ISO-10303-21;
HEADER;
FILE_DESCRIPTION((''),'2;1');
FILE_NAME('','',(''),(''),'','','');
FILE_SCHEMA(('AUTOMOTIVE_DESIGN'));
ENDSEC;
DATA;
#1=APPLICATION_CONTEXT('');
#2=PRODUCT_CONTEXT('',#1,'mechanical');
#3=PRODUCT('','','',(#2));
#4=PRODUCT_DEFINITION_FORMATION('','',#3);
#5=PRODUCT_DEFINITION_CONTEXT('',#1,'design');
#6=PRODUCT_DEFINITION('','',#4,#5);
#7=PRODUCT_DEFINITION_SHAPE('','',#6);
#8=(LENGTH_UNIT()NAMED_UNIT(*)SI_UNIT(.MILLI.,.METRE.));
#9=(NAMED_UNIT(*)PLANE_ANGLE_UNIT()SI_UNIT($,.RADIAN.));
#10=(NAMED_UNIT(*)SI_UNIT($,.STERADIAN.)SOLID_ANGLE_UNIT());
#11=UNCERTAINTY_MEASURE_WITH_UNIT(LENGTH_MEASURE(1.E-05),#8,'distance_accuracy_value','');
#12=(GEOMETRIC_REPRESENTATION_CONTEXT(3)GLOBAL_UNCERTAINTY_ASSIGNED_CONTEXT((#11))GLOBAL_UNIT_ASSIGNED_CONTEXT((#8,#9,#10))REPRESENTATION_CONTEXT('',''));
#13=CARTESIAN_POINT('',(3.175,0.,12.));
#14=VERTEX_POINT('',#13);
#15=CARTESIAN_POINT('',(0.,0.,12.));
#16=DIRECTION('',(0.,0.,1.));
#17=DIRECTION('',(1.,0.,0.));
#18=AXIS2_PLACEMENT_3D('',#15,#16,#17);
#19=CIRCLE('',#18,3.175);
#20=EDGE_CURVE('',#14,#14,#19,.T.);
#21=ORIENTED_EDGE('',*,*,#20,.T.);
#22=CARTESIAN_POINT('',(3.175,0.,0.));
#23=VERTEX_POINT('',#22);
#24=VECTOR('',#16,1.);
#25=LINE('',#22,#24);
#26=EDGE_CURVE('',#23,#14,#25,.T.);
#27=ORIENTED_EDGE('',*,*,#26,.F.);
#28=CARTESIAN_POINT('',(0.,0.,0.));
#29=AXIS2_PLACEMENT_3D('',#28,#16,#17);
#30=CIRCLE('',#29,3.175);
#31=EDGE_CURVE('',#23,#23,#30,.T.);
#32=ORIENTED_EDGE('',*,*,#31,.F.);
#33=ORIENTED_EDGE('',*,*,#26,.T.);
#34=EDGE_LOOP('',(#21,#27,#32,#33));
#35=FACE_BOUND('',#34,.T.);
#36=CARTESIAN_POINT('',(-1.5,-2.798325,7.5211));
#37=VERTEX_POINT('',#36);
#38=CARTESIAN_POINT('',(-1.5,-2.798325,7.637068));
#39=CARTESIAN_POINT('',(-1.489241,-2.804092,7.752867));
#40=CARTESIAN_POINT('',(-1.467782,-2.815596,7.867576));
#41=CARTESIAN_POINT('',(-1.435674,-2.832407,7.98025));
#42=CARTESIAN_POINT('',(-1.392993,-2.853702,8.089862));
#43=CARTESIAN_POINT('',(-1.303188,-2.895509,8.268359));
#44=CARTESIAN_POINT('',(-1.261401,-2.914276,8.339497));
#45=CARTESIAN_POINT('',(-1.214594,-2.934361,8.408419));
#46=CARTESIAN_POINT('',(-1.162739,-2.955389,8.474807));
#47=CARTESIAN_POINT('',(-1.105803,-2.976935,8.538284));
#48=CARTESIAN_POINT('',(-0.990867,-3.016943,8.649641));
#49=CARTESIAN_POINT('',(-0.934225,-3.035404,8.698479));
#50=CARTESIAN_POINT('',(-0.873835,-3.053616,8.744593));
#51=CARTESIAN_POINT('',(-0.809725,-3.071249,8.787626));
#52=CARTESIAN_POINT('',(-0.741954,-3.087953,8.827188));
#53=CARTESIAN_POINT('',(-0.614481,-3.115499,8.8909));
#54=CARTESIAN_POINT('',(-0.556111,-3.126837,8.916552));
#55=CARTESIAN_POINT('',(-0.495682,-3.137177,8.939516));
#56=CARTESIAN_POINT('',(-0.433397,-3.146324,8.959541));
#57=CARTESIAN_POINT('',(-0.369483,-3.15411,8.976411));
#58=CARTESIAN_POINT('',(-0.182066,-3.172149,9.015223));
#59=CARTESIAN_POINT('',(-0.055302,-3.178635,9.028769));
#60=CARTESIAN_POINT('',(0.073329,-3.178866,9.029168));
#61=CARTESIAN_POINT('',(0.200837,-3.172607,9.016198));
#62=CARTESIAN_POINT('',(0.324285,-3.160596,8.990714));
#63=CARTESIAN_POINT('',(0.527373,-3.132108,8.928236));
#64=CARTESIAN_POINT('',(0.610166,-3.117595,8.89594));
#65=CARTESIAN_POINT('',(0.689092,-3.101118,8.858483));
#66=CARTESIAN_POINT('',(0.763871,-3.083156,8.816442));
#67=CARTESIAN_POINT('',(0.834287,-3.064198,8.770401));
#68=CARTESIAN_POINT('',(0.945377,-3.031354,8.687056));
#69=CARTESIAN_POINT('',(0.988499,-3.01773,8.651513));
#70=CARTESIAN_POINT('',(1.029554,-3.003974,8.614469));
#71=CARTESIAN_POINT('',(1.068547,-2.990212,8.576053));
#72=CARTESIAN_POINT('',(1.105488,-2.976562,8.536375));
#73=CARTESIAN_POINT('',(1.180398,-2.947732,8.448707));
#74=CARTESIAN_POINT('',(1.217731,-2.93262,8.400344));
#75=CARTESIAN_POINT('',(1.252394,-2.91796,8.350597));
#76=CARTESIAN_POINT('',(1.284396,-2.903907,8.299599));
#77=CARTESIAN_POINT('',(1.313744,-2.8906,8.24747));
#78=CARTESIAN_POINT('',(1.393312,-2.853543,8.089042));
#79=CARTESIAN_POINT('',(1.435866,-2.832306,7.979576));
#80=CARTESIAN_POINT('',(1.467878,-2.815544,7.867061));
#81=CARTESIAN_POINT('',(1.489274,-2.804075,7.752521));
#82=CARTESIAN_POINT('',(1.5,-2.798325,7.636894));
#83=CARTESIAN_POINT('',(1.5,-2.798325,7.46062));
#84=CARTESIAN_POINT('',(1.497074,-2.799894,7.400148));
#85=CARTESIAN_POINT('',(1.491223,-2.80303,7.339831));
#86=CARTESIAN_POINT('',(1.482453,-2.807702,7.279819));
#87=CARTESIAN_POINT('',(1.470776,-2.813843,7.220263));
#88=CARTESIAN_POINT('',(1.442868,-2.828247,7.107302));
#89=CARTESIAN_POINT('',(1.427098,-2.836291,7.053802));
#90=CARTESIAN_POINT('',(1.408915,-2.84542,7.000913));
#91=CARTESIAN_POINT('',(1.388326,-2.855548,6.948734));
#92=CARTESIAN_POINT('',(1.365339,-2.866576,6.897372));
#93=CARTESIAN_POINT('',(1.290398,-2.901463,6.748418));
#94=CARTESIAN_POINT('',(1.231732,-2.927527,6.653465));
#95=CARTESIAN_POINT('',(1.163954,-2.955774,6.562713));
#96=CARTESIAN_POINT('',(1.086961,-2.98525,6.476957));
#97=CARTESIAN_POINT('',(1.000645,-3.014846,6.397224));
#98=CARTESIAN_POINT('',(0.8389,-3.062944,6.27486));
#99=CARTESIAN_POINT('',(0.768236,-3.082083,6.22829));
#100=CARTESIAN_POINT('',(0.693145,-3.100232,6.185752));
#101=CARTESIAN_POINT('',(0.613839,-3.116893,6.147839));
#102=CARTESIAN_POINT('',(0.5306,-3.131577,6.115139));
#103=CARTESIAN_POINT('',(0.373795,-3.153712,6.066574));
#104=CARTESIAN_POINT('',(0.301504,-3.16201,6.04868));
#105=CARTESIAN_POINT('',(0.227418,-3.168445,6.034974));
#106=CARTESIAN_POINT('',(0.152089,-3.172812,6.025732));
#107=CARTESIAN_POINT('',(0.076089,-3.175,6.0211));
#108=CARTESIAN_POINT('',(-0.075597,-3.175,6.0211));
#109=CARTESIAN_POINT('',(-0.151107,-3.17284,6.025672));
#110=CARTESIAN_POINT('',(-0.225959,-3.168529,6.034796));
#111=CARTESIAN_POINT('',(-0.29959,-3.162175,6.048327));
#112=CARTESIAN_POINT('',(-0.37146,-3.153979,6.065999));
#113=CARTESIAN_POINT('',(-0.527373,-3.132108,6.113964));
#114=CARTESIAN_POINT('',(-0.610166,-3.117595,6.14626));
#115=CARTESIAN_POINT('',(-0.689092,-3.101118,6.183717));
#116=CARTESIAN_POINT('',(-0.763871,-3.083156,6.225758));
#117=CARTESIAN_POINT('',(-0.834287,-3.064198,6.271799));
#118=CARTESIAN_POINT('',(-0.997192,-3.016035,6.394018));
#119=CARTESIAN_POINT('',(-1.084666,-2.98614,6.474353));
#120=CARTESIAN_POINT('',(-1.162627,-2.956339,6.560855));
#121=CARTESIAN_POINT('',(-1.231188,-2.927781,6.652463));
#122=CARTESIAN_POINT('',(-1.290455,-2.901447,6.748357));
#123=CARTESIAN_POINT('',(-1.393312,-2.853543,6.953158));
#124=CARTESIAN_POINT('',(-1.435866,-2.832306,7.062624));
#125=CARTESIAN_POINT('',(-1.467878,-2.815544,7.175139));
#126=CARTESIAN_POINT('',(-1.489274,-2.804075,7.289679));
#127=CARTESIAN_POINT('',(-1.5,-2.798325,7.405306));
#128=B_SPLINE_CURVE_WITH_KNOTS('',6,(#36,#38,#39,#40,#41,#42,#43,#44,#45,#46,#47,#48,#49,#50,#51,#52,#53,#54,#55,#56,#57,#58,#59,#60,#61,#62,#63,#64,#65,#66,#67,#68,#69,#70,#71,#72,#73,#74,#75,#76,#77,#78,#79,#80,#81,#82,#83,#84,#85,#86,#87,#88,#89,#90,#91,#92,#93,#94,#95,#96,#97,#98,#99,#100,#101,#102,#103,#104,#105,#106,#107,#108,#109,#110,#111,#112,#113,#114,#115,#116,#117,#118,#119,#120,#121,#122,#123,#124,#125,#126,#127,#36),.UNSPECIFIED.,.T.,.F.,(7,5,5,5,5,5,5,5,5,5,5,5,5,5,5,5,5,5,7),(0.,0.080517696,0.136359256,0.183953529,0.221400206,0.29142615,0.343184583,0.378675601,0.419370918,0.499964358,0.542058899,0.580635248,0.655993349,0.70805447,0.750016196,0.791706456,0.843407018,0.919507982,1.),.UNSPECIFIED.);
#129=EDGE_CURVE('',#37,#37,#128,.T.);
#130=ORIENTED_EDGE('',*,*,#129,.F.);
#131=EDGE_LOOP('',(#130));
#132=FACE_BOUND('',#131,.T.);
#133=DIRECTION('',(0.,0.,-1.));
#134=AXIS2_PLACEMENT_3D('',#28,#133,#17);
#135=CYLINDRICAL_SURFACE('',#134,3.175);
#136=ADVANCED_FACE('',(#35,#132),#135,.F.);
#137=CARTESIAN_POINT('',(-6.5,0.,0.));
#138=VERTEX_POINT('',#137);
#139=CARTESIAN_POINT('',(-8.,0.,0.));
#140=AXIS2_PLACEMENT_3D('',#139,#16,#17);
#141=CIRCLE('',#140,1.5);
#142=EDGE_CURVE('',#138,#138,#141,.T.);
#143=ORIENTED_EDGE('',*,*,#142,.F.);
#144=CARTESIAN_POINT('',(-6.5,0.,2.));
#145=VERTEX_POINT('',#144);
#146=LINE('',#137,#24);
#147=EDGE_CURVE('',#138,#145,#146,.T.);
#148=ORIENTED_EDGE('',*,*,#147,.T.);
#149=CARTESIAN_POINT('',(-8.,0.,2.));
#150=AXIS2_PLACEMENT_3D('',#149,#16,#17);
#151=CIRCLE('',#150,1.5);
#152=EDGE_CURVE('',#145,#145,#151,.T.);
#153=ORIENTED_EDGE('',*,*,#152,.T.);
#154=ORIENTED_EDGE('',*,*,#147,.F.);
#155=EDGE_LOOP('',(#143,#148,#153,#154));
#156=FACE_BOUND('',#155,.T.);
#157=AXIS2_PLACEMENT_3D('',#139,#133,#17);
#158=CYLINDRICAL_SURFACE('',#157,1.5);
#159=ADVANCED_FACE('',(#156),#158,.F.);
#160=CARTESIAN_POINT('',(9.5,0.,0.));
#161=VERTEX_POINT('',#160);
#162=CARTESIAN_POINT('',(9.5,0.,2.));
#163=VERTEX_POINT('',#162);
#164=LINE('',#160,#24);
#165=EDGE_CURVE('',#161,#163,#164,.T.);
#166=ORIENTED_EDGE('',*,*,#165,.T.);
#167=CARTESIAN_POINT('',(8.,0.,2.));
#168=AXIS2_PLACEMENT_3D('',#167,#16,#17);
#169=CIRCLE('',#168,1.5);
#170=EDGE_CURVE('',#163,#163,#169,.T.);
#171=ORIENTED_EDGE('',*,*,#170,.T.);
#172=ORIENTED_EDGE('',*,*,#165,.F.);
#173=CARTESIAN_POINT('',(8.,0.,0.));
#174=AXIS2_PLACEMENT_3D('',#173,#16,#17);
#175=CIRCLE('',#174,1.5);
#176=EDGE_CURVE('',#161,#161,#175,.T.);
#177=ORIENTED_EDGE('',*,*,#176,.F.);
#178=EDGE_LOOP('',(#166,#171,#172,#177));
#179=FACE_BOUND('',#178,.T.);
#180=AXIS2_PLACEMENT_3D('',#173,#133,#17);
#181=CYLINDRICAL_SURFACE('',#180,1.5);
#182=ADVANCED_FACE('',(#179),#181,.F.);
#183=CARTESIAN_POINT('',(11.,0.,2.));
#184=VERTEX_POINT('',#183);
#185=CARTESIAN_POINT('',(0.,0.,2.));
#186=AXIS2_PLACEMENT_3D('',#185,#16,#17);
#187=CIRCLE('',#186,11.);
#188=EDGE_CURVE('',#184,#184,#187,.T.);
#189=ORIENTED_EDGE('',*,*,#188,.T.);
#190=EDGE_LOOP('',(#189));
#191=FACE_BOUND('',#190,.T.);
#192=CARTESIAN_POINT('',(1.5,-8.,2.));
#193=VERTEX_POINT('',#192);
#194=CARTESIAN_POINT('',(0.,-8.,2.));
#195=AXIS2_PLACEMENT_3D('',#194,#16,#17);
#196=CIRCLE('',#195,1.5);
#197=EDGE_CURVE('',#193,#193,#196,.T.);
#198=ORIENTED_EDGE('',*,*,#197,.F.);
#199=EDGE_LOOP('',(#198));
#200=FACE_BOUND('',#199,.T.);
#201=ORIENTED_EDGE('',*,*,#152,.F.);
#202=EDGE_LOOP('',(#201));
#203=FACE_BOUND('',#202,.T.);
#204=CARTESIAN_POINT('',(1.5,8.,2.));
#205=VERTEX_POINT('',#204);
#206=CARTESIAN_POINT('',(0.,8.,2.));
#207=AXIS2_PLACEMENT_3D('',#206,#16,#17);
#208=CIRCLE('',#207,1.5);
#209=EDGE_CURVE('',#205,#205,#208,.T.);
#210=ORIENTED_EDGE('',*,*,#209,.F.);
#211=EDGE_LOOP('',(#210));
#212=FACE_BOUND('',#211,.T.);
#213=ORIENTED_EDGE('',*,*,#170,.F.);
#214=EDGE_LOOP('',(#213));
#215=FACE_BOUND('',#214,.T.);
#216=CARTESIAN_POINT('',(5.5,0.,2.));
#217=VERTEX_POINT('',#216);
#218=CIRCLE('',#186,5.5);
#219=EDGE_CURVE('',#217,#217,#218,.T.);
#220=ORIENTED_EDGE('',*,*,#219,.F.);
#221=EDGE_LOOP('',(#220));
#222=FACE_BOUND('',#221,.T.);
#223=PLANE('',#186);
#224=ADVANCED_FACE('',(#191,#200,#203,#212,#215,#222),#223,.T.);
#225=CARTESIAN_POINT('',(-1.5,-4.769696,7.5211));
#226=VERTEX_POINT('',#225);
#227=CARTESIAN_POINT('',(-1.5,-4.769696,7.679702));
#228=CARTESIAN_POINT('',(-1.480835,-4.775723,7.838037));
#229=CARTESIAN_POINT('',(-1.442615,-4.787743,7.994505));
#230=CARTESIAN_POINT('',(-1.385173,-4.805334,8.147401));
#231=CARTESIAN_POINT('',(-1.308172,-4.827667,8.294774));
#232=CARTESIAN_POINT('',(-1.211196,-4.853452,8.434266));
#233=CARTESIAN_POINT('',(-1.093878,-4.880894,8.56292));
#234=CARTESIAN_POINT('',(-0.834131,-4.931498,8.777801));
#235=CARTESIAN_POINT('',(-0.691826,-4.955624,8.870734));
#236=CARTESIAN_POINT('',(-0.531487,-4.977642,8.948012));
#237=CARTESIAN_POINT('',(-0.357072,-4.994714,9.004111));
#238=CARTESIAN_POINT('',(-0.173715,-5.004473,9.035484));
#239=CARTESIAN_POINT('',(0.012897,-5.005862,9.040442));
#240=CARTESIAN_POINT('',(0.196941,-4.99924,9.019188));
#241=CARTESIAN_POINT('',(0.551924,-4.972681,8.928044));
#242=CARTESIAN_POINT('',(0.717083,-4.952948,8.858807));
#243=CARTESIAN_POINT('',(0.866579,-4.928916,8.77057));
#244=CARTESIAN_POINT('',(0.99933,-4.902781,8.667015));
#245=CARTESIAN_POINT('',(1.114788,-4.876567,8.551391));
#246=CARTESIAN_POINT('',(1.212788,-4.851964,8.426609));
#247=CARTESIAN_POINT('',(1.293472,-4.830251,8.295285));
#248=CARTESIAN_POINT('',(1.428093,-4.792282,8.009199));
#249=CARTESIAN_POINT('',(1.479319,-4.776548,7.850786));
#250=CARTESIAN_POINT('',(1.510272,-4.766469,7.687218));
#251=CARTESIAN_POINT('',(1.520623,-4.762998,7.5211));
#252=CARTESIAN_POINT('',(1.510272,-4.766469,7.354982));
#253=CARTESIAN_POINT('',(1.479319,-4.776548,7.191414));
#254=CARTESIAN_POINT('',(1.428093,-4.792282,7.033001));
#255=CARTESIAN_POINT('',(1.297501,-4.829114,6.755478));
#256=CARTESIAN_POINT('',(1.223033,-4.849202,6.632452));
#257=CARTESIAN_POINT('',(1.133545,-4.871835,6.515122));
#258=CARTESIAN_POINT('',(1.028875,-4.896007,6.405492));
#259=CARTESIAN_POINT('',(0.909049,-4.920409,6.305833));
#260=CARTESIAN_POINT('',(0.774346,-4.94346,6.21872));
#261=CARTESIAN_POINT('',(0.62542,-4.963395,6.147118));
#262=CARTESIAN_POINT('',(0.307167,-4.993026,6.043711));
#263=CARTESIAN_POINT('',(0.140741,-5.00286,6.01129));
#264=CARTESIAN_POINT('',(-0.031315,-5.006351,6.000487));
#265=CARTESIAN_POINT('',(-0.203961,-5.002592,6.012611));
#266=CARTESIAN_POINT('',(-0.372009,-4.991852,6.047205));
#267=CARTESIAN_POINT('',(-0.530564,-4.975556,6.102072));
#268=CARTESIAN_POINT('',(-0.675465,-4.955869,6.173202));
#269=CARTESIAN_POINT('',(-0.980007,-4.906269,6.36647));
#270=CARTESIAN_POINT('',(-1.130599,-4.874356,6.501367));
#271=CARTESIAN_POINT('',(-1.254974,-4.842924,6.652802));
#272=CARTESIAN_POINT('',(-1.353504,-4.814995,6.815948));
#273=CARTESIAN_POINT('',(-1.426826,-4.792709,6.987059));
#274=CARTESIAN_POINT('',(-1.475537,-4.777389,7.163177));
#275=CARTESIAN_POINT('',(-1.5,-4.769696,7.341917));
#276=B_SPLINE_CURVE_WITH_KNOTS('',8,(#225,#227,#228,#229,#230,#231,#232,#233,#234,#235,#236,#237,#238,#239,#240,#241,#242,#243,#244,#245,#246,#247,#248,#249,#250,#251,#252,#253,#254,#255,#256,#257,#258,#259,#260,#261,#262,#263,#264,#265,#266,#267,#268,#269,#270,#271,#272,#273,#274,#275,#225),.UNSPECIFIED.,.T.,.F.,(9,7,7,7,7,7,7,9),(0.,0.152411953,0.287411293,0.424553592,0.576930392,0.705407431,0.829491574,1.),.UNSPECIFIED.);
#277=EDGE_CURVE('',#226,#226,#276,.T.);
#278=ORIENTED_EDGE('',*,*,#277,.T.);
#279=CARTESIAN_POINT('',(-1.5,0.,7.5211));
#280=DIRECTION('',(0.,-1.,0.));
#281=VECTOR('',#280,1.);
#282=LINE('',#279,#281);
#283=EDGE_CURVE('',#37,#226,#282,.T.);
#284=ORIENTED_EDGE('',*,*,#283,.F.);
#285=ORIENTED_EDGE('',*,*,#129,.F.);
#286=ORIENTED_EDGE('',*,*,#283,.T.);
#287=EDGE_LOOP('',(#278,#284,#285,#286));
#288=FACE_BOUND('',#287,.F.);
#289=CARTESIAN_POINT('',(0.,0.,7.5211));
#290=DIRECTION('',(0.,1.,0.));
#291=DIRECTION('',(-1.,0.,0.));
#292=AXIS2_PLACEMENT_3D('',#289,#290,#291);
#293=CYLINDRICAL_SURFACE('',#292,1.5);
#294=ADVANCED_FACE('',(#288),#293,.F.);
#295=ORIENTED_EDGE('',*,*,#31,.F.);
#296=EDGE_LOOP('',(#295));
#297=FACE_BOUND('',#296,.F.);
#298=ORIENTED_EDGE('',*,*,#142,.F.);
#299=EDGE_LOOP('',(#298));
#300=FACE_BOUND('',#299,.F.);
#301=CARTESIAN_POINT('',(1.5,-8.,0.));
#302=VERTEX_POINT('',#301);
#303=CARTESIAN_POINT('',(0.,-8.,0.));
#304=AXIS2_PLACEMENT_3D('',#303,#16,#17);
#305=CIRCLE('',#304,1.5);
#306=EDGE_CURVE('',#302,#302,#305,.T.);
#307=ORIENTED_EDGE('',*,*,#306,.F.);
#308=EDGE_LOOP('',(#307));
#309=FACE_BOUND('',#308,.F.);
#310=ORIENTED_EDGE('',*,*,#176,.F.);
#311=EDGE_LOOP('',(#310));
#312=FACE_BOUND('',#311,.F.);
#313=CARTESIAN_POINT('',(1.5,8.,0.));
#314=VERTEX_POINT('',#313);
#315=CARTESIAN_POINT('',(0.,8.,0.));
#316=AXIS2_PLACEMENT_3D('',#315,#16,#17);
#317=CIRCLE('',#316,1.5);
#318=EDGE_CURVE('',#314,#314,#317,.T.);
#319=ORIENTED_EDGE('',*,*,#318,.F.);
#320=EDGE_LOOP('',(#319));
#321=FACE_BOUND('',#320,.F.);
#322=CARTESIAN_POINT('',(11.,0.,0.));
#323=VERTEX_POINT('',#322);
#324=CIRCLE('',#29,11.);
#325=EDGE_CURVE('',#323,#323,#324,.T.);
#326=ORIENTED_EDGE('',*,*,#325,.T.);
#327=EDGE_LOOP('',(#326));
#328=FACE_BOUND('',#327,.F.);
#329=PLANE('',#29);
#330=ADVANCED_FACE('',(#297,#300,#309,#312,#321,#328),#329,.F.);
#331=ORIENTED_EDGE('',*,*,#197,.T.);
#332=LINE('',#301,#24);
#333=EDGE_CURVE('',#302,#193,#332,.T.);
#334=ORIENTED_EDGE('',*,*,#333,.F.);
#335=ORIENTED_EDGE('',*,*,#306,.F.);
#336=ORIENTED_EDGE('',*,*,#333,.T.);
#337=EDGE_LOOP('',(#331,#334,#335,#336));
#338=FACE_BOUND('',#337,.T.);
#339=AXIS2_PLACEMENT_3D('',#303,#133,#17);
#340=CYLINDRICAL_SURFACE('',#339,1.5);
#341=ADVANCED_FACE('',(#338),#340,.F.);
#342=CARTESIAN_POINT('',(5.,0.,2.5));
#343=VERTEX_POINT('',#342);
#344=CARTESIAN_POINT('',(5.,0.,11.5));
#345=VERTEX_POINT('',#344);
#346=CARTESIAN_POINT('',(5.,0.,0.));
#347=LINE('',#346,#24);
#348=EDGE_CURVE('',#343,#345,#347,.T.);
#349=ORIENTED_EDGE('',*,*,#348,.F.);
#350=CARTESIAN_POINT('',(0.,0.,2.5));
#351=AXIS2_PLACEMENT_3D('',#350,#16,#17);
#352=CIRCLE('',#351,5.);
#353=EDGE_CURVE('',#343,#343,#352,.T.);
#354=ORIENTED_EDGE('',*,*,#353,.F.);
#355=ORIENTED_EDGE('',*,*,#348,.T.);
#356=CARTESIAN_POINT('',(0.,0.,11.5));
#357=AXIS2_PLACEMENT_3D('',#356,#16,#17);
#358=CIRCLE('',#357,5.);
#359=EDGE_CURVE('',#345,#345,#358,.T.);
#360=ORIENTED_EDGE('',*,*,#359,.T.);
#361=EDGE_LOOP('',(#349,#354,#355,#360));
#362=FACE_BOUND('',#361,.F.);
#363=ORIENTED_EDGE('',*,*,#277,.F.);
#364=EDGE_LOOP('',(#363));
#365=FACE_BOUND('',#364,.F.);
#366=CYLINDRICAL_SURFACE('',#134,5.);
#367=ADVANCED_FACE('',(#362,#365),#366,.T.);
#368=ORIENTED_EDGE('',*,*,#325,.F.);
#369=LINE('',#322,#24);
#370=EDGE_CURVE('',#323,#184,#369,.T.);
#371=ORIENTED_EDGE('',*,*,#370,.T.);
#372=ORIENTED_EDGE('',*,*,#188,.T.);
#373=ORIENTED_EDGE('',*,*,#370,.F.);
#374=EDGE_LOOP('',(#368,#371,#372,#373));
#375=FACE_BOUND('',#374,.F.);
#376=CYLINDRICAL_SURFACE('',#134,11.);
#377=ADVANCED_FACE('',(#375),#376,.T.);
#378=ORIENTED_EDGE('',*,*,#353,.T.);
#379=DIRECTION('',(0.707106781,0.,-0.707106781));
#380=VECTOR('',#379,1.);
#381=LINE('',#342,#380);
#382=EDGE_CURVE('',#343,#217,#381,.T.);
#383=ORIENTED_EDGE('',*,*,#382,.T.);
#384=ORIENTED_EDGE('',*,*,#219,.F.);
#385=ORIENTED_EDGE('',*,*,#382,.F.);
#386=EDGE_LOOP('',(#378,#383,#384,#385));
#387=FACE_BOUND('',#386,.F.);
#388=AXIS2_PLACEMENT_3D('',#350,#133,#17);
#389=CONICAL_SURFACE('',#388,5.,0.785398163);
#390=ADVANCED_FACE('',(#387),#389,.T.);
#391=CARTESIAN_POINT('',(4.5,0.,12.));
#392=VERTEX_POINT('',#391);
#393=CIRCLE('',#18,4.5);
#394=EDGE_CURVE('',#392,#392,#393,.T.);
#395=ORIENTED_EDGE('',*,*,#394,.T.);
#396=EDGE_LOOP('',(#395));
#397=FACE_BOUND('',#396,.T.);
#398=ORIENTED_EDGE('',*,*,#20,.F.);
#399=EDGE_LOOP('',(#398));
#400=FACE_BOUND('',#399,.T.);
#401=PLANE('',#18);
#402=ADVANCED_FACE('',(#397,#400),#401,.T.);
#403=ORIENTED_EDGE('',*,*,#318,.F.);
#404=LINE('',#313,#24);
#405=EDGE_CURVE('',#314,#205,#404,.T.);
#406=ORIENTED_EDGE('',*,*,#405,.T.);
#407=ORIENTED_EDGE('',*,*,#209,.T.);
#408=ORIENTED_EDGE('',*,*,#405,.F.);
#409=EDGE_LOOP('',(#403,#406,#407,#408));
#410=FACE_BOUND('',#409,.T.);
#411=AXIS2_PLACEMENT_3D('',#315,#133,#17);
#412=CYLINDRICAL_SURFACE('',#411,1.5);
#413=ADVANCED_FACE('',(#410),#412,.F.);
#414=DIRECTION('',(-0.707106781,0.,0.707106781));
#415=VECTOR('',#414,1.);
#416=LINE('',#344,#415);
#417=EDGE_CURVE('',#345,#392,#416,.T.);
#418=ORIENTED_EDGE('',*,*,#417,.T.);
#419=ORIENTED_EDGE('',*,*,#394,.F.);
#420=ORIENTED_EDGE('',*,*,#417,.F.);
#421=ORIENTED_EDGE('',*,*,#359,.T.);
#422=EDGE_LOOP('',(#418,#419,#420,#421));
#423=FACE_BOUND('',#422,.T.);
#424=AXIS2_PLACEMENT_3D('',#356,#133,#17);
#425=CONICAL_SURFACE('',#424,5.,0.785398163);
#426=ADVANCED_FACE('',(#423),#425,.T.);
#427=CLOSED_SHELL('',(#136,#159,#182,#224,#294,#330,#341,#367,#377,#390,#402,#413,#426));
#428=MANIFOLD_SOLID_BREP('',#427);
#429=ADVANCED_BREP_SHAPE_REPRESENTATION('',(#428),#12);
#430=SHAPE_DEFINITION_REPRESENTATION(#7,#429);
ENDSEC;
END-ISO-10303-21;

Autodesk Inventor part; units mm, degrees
ref_plane "YZ Plane" through (0, 0, 0) normal (1, 0, 0) x (0, 1, 0)
ref_plane "XZ Plane" through (0, 0, 0) normal (0, 1, 0) x (-1, 0, 0)
ref_plane "XY Plane" through (0, 0, 0) normal (0, 0, 1) x (1, 0, 0)
sketch "Sketch1" plane through (0, 0, 0) normal (0, 0, 1) x (1, 0, 0)
  circle A0 centre (0, 0) radius 3.175
  circle A1 centre (0, 0) radius 5
  circle A2 centre (0, 0) radius 11
  circle A3 centre (0, 8) radius 1.5
  circle A4 centre (-8, 0) radius 1.5
  circle A5 centre (0, -8) radius 1.5
  circle A6 centre (8, 0) radius 1.5
  dimension "d0" = 22
  dimension "d1" = 6.35
  dimension "d2" = 10
  dimension "d3" = 3
  dimension "d4" = 8
  dimension "d7" = 360
extrude "Extrusion1" add sketch "Sketch1" along normal blind 12 contours A1
extrude "Extrusion2" add sketch "Sketch1" along normal blind 2 contours A2
chamfer "Chamfer1" distance 0.5 angle 45 2 edges at (-5, 0, 2) (-5, 0, 12)
sketch "Sketch3" plane through (0, 0, 0) normal (0, 1, 0) x (-1, 0, 0)
  circle A0 centre (0, 7.5211) radius 1.5
  point P0 (0, 0)
  dimension "d16" = 3
extrude "Extrusion3" cut sketch "Sketch3" against normal blind 10
equation "\"BendRadius\" = Thickness"
equation "\"BendReliefWidth\" = Thickness"
equation "\"BendReliefDepth\" = 0.5 * Thickness"
equation "\"CornerReliefSize\" = 4 * Thickness"
equation "\"MinimumRemnant\" = 2 * Thickness"
equation "\"TransitionRadius\" = BendRadius"
equation "\"JacobiRadiusSize\" = BendRadius"
equation "\"GapSize\" = Thickness"
equation "\"Thickness\" = 0.5"
properties part number "mặt bích"
